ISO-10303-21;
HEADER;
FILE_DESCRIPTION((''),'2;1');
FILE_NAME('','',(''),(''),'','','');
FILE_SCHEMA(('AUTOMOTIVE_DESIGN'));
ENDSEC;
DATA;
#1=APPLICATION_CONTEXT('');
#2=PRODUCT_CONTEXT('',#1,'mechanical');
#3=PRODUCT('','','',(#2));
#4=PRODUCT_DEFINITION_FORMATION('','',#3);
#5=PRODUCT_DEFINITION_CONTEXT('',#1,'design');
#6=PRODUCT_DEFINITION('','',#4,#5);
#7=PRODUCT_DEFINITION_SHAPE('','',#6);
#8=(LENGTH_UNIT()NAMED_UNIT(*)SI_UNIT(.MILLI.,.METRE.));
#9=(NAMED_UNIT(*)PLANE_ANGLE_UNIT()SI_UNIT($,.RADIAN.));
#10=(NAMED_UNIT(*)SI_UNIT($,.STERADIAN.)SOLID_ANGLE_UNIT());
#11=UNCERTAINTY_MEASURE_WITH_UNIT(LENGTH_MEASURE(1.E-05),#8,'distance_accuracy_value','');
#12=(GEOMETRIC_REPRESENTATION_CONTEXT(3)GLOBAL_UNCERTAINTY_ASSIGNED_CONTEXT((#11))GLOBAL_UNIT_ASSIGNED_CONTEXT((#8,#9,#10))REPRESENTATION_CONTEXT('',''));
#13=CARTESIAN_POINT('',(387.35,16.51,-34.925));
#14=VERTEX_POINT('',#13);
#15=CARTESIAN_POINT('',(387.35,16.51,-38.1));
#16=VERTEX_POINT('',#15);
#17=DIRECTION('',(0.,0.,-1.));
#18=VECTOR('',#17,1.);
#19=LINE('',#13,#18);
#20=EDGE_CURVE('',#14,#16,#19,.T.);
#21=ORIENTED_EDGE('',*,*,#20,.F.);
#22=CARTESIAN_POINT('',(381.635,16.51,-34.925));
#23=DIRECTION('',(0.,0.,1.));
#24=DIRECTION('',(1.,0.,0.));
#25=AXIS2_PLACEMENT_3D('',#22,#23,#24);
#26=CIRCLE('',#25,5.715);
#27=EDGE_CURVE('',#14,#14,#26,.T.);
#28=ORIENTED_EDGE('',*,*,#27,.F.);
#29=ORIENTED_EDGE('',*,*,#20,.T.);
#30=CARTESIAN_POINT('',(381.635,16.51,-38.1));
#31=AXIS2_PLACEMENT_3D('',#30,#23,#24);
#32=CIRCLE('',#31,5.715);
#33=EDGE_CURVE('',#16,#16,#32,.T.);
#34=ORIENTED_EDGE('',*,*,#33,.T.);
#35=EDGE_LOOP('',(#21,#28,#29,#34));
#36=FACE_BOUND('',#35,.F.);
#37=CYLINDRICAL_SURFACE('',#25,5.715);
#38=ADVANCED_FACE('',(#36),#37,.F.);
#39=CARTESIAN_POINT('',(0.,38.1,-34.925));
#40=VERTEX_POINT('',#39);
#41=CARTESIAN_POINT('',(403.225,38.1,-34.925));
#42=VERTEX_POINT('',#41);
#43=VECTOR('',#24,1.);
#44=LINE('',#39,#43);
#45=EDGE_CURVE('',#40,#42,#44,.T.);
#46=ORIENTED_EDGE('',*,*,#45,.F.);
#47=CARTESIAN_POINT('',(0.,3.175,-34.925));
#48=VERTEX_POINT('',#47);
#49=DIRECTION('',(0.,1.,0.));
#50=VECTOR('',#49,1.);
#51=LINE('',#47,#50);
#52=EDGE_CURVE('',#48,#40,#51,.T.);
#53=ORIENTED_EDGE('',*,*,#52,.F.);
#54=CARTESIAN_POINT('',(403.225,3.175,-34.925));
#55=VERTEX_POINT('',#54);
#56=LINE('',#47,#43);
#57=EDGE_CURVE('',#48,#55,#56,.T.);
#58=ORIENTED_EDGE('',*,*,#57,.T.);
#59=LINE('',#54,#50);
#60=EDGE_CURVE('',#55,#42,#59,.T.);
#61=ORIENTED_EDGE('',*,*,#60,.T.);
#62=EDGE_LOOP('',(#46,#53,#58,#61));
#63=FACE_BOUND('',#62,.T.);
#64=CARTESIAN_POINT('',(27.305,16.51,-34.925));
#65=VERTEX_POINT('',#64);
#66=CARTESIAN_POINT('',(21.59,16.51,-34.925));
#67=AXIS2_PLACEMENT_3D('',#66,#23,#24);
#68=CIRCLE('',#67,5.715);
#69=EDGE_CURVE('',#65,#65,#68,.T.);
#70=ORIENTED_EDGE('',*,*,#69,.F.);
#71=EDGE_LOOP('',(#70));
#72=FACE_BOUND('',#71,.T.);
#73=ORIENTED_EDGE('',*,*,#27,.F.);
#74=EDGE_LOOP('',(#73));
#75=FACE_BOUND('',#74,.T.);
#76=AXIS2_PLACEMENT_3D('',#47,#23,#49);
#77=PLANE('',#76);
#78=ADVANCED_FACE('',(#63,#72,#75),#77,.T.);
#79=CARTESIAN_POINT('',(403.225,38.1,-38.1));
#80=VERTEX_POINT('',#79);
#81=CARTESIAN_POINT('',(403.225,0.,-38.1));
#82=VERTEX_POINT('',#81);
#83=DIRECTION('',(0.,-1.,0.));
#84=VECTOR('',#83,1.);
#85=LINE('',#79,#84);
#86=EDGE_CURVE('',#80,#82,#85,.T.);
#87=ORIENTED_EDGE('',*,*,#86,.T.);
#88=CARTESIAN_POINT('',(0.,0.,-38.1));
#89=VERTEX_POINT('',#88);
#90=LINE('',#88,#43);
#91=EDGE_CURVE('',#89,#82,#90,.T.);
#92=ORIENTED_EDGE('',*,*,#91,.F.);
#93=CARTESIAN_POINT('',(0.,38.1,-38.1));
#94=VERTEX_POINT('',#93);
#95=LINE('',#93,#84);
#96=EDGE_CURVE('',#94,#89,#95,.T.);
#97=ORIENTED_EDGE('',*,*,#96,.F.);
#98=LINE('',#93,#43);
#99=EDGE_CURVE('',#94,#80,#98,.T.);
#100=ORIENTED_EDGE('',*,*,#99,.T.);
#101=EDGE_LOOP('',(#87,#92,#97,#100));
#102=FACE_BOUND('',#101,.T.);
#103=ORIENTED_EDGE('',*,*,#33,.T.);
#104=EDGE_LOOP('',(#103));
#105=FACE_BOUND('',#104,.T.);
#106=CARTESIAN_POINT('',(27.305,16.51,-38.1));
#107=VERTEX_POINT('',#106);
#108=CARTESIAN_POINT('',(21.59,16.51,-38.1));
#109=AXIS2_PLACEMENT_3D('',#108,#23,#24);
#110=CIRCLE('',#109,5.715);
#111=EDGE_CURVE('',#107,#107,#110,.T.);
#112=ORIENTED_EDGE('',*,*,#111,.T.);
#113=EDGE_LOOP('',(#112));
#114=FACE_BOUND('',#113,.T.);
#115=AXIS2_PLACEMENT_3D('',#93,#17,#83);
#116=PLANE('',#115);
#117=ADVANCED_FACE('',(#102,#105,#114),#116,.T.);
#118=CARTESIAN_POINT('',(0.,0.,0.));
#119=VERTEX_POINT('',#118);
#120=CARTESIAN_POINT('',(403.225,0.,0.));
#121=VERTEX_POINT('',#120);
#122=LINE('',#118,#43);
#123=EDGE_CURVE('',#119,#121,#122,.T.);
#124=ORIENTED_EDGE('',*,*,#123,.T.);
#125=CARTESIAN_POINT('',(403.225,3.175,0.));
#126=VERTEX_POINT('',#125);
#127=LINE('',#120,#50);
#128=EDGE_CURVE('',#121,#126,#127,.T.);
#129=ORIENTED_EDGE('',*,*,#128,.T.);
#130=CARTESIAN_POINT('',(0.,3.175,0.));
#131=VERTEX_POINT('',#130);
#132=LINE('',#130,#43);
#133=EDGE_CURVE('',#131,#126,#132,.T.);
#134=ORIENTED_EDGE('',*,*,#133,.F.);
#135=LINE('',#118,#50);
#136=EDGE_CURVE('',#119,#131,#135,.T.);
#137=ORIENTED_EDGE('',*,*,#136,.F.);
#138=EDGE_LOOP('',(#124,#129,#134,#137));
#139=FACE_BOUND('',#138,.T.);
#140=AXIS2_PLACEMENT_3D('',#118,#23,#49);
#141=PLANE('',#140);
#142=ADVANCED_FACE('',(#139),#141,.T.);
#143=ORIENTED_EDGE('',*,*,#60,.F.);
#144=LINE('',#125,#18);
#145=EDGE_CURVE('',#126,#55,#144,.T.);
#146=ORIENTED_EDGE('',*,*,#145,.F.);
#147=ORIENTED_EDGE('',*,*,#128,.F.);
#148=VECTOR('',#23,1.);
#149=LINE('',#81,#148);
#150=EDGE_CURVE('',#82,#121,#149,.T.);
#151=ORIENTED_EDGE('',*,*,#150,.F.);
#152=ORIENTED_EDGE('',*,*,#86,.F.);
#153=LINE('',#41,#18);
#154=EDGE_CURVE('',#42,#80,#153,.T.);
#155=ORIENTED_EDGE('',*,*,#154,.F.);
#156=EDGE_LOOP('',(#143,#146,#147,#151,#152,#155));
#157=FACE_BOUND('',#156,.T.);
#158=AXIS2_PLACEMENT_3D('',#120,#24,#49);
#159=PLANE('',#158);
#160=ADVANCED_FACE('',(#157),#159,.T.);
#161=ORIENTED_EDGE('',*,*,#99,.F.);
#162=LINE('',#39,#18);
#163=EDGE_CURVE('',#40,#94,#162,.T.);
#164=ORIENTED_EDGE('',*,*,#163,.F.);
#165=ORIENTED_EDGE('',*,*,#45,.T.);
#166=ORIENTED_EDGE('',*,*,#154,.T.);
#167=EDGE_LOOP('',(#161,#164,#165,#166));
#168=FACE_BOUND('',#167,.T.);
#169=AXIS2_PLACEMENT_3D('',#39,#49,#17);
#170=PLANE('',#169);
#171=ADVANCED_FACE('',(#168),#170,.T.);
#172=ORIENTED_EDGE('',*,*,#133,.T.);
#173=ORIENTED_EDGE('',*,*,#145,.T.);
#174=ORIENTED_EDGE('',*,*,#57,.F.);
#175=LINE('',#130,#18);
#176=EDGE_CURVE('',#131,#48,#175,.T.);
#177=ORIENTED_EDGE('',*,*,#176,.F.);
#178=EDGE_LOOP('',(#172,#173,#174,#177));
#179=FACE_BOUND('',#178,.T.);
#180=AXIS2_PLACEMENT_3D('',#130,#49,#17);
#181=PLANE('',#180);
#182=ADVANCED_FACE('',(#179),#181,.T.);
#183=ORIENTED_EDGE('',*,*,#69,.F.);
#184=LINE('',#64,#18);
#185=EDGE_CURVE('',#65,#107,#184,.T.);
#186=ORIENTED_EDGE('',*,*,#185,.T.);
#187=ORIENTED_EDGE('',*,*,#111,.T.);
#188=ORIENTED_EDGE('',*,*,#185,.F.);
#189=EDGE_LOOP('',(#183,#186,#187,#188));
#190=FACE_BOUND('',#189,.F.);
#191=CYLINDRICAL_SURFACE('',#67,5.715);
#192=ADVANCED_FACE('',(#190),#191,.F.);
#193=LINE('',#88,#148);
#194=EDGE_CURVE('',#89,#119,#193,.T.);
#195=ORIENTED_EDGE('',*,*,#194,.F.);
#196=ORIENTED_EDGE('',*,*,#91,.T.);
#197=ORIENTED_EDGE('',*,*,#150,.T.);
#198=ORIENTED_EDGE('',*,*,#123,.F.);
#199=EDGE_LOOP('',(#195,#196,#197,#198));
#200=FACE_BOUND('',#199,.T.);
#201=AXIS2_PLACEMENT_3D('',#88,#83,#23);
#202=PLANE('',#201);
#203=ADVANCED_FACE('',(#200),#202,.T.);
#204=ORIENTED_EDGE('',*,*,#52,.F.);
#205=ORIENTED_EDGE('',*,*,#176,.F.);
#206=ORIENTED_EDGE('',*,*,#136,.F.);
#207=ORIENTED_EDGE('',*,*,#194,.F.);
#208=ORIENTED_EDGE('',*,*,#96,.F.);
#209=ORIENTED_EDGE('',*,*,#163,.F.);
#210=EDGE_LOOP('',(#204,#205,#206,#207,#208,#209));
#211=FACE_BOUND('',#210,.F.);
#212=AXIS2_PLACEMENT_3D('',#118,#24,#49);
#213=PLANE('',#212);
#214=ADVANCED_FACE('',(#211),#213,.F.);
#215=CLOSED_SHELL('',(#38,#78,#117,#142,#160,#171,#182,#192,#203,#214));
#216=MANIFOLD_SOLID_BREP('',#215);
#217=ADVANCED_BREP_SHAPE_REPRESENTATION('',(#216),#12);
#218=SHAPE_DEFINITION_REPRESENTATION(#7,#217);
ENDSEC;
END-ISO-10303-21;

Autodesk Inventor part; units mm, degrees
ref_plane "YZ Plane" through (0, 0, 0) normal (1, 0, 0) x (0, 1, 0)
ref_plane "XZ Plane" through (0, 0, 0) normal (0, 1, 0) x (-1, 0, 0)
ref_plane "XY Plane" through (0, 0, 0) normal (0, 0, 1) x (1, 0, 0)
sketch "Sketch1" plane through (0, 0, 0) normal (1, 0, 0) x (0, 1, 0)
  line L0 (3.175, 0) -> (3.175, -34.925)
  line L1 (3.175, -34.925) -> (38.1, -34.925)
  line L2 (38.1, -34.925) -> (38.1, -38.1)
  line L3 (38.1, -38.1) -> (0, -38.1)
  line L4 (0, -38.1) -> (0, 0)
  line L5 (0, 0) -> (3.175, 0)
  dimension "d0" = 3.175
  dimension "d1" = 3.175
  dimension "d2" = 38.1
  dimension "d3" = 38.1
  dimension "d4" = 0
  dimension "d5" = 0
extrude "Extrusion1" add sketch "Sketch1" along normal blind 403.225
sketch "Sketch2" plane through (0, 3.175, -34.925) normal (0, 0, 1) x (1, 0, 0)
  circle A0 centre (21.59, 13.335) radius 5.715
  line L0 (0, -3.175) -> (403.225, -3.175) projected
  line L1 (403.225, 34.925) -> (403.225, 0) projected
  line L2 (0, 0) -> (0, 34.925) projected
  line L3 (0, 0) -> (403.225, 0) projected
  dimension "d10" = 11.43
  dimension "d13" = 21.59
  dimension "d19" = 13.335
extrude "Extrusion2" cut sketch "Sketch2" against normal blind 25.4
sketch "Sketch3" plane through (0, 3.175, -34.925) normal (0, 0, 1) x (1, 0, 0)
  circle A0 centre (381.635, 13.335) radius 5.715
  line L0 (403.225, 34.925) -> (403.225, 0) projected
  line L1 (0, 0) -> (403.225, 0) projected
  point P0 (0, -3.175)
  dimension "d14" = 11.43
  dimension "d15" = 21.59
  dimension "d16" = 13.335
extrude "Extrusion3" cut sketch "Sketch3" against normal blind 25.4
properties part number "Side bar1"
